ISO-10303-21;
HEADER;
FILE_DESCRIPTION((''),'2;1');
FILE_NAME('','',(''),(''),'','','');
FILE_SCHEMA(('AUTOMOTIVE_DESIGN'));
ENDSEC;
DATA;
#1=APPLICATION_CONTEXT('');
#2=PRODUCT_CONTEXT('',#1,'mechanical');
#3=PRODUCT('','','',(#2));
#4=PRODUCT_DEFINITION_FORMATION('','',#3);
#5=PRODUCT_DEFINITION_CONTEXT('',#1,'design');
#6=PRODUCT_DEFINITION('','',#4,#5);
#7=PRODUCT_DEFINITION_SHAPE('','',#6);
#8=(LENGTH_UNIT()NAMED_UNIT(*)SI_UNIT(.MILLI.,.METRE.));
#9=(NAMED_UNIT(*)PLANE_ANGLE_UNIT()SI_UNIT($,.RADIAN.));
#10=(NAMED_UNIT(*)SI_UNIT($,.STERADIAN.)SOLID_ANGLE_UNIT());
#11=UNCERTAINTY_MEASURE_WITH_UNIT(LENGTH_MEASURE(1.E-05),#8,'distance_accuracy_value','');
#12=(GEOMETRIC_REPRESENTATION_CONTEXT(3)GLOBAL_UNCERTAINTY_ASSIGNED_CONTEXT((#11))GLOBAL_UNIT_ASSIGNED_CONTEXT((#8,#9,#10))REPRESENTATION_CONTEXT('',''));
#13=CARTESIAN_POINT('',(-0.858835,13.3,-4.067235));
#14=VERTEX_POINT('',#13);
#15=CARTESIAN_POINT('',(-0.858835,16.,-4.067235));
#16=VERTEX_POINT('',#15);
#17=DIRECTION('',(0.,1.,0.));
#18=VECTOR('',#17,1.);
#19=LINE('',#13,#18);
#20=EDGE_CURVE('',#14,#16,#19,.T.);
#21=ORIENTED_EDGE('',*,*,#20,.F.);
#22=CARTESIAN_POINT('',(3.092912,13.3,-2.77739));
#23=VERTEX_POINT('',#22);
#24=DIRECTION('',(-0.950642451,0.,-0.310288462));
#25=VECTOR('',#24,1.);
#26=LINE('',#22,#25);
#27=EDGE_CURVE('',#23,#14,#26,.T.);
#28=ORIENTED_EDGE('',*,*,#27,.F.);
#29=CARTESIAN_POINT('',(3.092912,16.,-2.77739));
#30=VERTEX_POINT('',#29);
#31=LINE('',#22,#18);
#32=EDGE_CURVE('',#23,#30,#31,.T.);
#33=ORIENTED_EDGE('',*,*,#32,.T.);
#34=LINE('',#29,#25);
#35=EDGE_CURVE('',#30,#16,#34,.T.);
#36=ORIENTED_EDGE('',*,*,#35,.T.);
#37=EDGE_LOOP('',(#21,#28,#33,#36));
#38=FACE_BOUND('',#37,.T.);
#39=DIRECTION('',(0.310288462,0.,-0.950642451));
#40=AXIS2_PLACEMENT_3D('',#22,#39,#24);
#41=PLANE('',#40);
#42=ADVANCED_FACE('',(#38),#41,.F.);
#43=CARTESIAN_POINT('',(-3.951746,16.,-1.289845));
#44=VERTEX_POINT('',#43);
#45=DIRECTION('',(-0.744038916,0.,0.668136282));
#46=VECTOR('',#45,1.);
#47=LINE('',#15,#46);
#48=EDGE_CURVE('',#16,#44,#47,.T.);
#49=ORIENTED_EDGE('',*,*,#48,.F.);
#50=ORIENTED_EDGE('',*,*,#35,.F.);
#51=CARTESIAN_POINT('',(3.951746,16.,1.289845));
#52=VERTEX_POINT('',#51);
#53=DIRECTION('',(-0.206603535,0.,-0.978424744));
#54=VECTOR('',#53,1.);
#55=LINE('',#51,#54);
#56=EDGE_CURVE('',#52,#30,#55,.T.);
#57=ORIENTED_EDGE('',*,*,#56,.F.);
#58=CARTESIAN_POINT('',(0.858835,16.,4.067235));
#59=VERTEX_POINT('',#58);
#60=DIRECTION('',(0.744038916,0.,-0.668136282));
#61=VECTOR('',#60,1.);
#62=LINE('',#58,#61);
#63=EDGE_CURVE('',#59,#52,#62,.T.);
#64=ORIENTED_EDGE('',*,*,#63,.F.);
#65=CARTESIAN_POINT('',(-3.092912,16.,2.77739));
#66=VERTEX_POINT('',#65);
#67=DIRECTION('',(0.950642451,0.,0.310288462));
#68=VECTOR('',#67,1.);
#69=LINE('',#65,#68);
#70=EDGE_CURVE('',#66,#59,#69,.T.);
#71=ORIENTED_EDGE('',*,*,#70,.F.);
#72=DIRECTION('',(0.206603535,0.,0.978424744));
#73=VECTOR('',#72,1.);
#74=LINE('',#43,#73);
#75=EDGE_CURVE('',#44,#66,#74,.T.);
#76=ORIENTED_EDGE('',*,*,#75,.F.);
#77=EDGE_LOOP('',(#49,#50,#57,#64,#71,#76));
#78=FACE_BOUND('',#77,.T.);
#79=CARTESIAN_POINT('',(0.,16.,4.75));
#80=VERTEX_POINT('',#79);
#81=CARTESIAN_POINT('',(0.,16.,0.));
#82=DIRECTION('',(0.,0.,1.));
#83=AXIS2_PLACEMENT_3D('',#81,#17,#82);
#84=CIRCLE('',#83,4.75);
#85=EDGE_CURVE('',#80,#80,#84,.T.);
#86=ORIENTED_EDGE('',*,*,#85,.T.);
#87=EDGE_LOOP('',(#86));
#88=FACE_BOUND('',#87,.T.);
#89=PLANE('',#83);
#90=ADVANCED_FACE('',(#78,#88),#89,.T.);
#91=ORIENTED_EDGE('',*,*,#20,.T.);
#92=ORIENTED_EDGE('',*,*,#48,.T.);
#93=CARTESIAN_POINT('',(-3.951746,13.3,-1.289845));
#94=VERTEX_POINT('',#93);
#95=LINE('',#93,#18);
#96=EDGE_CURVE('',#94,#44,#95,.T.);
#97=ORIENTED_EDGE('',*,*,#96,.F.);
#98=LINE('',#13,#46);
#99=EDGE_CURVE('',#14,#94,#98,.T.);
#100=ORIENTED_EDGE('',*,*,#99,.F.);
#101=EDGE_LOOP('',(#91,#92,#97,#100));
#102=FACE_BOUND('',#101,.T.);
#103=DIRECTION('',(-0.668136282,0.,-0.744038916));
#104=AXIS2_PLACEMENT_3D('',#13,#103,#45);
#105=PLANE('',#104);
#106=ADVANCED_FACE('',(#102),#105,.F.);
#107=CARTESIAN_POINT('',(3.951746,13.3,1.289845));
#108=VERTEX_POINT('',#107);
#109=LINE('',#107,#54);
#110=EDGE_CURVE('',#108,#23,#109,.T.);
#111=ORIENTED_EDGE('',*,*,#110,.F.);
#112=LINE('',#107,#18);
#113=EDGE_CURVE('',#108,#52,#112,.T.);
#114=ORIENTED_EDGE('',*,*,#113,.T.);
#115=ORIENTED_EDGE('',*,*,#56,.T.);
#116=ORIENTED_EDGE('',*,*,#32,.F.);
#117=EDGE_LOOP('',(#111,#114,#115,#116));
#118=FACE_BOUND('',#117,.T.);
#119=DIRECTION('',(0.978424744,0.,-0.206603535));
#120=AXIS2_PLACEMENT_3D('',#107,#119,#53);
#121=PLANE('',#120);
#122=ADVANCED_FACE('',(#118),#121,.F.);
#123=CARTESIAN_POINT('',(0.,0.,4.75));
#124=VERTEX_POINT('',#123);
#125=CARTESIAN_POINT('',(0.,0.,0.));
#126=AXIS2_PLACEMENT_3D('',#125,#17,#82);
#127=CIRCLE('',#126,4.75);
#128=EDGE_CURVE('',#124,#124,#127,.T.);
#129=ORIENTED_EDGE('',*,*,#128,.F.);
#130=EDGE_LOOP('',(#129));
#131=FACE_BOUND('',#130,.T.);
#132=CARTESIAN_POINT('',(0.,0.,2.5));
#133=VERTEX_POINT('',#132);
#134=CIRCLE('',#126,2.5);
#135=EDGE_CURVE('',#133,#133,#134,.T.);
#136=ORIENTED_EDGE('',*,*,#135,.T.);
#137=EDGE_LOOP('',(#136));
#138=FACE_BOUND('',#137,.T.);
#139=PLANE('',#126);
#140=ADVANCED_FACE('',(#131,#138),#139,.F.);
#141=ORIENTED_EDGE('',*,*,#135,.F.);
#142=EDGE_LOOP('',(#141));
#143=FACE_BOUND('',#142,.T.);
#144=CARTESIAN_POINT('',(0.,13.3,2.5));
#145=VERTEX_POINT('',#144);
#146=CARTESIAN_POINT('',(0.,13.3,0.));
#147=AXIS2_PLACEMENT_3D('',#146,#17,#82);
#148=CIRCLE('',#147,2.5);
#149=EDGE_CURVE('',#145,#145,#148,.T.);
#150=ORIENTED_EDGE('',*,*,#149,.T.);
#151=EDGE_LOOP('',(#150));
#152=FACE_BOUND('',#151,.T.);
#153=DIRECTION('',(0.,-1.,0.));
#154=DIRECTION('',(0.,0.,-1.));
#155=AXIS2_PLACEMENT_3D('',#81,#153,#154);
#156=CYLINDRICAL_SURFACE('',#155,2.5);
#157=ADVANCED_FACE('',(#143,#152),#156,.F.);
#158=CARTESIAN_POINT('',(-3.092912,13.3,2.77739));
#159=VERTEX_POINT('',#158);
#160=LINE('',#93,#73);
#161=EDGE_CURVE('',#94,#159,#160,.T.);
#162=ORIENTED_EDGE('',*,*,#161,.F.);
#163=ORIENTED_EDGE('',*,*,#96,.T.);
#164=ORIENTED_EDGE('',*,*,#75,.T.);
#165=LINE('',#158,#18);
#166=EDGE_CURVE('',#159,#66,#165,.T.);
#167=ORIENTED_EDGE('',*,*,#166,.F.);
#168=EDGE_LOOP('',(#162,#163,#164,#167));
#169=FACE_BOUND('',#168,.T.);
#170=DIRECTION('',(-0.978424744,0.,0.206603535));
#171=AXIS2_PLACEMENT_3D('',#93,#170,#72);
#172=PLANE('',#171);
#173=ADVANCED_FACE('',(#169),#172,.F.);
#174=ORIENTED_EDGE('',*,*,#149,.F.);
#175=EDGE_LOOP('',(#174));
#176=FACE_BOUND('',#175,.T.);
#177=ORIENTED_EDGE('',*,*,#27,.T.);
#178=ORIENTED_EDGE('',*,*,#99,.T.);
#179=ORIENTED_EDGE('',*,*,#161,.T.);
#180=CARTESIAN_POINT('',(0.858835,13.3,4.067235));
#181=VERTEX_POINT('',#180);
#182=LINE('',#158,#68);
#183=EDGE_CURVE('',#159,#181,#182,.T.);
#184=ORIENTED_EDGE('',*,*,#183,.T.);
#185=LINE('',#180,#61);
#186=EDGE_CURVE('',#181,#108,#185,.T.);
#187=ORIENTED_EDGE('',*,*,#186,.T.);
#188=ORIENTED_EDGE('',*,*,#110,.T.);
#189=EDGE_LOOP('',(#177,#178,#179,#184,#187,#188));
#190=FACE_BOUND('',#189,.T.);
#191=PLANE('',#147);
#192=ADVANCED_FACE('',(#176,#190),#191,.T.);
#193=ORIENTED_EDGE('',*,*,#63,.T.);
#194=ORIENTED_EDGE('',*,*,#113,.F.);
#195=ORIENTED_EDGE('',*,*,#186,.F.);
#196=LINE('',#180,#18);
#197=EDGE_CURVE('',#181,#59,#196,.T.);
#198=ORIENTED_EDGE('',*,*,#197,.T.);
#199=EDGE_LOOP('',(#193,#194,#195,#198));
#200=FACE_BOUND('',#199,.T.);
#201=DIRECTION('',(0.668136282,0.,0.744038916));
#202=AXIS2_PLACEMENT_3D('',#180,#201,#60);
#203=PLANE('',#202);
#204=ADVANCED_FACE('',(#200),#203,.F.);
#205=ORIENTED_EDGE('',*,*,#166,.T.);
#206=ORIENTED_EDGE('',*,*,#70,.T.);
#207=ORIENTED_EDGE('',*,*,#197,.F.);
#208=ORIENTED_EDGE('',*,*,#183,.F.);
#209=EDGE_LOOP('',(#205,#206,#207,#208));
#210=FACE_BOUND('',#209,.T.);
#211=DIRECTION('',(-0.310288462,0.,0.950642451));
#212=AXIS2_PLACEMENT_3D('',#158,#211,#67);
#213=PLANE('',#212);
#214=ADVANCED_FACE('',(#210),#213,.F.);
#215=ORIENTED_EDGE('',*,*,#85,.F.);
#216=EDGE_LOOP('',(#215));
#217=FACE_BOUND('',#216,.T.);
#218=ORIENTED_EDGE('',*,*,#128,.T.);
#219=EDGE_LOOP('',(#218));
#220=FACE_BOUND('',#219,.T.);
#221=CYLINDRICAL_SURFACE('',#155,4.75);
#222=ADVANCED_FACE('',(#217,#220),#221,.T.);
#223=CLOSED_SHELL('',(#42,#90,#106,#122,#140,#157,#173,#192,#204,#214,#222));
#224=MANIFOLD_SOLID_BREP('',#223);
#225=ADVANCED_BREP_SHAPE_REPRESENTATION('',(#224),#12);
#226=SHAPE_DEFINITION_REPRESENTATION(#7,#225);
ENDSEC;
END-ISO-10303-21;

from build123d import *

# Parameters (mm, degrees)
SKIZZE1_R                       = 4.75
SKIZZE1_R_2                     = 2.5
AUFSATZ_LINEAR_AUSTRAGEN1_DEPTH = 16
SCHNITT_LINEAR_AUSTRAGEN1_DEPTH = 2.7


with BuildPart() as part:
    # Skizze1 → Aufsatz-Linear austragen1 (new body)
    with BuildSketch(Plane(origin=(0, 0, 0), x_dir=(1, 0, 0), z_dir=(0, 1, 0))):
        Circle(SKIZZE1_R)
        Circle(SKIZZE1_R_2, mode=Mode.SUBTRACT)
    extrude(amount=AUFSATZ_LINEAR_AUSTRAGEN1_DEPTH)

    # Skizze2 → Schnitt-Linear austragen1 (cut)
    with BuildSketch(Plane(origin=(0, 16, 0), x_dir=(1, 0, 0), z_dir=(0, 1, 0))):
        Polygon((3.092911693, 2.777390369), (-0.858834769, 4.067235282), (-3.951746462, 1.289844914), (-3.092911693, -2.777390369), (0.858834769, -4.067235282), (3.951746462, -1.289844914), align=None)
    extrude(amount=-SCHNITT_LINEAR_AUSTRAGEN1_DEPTH, mode=Mode.SUBTRACT)


solid = part.part
